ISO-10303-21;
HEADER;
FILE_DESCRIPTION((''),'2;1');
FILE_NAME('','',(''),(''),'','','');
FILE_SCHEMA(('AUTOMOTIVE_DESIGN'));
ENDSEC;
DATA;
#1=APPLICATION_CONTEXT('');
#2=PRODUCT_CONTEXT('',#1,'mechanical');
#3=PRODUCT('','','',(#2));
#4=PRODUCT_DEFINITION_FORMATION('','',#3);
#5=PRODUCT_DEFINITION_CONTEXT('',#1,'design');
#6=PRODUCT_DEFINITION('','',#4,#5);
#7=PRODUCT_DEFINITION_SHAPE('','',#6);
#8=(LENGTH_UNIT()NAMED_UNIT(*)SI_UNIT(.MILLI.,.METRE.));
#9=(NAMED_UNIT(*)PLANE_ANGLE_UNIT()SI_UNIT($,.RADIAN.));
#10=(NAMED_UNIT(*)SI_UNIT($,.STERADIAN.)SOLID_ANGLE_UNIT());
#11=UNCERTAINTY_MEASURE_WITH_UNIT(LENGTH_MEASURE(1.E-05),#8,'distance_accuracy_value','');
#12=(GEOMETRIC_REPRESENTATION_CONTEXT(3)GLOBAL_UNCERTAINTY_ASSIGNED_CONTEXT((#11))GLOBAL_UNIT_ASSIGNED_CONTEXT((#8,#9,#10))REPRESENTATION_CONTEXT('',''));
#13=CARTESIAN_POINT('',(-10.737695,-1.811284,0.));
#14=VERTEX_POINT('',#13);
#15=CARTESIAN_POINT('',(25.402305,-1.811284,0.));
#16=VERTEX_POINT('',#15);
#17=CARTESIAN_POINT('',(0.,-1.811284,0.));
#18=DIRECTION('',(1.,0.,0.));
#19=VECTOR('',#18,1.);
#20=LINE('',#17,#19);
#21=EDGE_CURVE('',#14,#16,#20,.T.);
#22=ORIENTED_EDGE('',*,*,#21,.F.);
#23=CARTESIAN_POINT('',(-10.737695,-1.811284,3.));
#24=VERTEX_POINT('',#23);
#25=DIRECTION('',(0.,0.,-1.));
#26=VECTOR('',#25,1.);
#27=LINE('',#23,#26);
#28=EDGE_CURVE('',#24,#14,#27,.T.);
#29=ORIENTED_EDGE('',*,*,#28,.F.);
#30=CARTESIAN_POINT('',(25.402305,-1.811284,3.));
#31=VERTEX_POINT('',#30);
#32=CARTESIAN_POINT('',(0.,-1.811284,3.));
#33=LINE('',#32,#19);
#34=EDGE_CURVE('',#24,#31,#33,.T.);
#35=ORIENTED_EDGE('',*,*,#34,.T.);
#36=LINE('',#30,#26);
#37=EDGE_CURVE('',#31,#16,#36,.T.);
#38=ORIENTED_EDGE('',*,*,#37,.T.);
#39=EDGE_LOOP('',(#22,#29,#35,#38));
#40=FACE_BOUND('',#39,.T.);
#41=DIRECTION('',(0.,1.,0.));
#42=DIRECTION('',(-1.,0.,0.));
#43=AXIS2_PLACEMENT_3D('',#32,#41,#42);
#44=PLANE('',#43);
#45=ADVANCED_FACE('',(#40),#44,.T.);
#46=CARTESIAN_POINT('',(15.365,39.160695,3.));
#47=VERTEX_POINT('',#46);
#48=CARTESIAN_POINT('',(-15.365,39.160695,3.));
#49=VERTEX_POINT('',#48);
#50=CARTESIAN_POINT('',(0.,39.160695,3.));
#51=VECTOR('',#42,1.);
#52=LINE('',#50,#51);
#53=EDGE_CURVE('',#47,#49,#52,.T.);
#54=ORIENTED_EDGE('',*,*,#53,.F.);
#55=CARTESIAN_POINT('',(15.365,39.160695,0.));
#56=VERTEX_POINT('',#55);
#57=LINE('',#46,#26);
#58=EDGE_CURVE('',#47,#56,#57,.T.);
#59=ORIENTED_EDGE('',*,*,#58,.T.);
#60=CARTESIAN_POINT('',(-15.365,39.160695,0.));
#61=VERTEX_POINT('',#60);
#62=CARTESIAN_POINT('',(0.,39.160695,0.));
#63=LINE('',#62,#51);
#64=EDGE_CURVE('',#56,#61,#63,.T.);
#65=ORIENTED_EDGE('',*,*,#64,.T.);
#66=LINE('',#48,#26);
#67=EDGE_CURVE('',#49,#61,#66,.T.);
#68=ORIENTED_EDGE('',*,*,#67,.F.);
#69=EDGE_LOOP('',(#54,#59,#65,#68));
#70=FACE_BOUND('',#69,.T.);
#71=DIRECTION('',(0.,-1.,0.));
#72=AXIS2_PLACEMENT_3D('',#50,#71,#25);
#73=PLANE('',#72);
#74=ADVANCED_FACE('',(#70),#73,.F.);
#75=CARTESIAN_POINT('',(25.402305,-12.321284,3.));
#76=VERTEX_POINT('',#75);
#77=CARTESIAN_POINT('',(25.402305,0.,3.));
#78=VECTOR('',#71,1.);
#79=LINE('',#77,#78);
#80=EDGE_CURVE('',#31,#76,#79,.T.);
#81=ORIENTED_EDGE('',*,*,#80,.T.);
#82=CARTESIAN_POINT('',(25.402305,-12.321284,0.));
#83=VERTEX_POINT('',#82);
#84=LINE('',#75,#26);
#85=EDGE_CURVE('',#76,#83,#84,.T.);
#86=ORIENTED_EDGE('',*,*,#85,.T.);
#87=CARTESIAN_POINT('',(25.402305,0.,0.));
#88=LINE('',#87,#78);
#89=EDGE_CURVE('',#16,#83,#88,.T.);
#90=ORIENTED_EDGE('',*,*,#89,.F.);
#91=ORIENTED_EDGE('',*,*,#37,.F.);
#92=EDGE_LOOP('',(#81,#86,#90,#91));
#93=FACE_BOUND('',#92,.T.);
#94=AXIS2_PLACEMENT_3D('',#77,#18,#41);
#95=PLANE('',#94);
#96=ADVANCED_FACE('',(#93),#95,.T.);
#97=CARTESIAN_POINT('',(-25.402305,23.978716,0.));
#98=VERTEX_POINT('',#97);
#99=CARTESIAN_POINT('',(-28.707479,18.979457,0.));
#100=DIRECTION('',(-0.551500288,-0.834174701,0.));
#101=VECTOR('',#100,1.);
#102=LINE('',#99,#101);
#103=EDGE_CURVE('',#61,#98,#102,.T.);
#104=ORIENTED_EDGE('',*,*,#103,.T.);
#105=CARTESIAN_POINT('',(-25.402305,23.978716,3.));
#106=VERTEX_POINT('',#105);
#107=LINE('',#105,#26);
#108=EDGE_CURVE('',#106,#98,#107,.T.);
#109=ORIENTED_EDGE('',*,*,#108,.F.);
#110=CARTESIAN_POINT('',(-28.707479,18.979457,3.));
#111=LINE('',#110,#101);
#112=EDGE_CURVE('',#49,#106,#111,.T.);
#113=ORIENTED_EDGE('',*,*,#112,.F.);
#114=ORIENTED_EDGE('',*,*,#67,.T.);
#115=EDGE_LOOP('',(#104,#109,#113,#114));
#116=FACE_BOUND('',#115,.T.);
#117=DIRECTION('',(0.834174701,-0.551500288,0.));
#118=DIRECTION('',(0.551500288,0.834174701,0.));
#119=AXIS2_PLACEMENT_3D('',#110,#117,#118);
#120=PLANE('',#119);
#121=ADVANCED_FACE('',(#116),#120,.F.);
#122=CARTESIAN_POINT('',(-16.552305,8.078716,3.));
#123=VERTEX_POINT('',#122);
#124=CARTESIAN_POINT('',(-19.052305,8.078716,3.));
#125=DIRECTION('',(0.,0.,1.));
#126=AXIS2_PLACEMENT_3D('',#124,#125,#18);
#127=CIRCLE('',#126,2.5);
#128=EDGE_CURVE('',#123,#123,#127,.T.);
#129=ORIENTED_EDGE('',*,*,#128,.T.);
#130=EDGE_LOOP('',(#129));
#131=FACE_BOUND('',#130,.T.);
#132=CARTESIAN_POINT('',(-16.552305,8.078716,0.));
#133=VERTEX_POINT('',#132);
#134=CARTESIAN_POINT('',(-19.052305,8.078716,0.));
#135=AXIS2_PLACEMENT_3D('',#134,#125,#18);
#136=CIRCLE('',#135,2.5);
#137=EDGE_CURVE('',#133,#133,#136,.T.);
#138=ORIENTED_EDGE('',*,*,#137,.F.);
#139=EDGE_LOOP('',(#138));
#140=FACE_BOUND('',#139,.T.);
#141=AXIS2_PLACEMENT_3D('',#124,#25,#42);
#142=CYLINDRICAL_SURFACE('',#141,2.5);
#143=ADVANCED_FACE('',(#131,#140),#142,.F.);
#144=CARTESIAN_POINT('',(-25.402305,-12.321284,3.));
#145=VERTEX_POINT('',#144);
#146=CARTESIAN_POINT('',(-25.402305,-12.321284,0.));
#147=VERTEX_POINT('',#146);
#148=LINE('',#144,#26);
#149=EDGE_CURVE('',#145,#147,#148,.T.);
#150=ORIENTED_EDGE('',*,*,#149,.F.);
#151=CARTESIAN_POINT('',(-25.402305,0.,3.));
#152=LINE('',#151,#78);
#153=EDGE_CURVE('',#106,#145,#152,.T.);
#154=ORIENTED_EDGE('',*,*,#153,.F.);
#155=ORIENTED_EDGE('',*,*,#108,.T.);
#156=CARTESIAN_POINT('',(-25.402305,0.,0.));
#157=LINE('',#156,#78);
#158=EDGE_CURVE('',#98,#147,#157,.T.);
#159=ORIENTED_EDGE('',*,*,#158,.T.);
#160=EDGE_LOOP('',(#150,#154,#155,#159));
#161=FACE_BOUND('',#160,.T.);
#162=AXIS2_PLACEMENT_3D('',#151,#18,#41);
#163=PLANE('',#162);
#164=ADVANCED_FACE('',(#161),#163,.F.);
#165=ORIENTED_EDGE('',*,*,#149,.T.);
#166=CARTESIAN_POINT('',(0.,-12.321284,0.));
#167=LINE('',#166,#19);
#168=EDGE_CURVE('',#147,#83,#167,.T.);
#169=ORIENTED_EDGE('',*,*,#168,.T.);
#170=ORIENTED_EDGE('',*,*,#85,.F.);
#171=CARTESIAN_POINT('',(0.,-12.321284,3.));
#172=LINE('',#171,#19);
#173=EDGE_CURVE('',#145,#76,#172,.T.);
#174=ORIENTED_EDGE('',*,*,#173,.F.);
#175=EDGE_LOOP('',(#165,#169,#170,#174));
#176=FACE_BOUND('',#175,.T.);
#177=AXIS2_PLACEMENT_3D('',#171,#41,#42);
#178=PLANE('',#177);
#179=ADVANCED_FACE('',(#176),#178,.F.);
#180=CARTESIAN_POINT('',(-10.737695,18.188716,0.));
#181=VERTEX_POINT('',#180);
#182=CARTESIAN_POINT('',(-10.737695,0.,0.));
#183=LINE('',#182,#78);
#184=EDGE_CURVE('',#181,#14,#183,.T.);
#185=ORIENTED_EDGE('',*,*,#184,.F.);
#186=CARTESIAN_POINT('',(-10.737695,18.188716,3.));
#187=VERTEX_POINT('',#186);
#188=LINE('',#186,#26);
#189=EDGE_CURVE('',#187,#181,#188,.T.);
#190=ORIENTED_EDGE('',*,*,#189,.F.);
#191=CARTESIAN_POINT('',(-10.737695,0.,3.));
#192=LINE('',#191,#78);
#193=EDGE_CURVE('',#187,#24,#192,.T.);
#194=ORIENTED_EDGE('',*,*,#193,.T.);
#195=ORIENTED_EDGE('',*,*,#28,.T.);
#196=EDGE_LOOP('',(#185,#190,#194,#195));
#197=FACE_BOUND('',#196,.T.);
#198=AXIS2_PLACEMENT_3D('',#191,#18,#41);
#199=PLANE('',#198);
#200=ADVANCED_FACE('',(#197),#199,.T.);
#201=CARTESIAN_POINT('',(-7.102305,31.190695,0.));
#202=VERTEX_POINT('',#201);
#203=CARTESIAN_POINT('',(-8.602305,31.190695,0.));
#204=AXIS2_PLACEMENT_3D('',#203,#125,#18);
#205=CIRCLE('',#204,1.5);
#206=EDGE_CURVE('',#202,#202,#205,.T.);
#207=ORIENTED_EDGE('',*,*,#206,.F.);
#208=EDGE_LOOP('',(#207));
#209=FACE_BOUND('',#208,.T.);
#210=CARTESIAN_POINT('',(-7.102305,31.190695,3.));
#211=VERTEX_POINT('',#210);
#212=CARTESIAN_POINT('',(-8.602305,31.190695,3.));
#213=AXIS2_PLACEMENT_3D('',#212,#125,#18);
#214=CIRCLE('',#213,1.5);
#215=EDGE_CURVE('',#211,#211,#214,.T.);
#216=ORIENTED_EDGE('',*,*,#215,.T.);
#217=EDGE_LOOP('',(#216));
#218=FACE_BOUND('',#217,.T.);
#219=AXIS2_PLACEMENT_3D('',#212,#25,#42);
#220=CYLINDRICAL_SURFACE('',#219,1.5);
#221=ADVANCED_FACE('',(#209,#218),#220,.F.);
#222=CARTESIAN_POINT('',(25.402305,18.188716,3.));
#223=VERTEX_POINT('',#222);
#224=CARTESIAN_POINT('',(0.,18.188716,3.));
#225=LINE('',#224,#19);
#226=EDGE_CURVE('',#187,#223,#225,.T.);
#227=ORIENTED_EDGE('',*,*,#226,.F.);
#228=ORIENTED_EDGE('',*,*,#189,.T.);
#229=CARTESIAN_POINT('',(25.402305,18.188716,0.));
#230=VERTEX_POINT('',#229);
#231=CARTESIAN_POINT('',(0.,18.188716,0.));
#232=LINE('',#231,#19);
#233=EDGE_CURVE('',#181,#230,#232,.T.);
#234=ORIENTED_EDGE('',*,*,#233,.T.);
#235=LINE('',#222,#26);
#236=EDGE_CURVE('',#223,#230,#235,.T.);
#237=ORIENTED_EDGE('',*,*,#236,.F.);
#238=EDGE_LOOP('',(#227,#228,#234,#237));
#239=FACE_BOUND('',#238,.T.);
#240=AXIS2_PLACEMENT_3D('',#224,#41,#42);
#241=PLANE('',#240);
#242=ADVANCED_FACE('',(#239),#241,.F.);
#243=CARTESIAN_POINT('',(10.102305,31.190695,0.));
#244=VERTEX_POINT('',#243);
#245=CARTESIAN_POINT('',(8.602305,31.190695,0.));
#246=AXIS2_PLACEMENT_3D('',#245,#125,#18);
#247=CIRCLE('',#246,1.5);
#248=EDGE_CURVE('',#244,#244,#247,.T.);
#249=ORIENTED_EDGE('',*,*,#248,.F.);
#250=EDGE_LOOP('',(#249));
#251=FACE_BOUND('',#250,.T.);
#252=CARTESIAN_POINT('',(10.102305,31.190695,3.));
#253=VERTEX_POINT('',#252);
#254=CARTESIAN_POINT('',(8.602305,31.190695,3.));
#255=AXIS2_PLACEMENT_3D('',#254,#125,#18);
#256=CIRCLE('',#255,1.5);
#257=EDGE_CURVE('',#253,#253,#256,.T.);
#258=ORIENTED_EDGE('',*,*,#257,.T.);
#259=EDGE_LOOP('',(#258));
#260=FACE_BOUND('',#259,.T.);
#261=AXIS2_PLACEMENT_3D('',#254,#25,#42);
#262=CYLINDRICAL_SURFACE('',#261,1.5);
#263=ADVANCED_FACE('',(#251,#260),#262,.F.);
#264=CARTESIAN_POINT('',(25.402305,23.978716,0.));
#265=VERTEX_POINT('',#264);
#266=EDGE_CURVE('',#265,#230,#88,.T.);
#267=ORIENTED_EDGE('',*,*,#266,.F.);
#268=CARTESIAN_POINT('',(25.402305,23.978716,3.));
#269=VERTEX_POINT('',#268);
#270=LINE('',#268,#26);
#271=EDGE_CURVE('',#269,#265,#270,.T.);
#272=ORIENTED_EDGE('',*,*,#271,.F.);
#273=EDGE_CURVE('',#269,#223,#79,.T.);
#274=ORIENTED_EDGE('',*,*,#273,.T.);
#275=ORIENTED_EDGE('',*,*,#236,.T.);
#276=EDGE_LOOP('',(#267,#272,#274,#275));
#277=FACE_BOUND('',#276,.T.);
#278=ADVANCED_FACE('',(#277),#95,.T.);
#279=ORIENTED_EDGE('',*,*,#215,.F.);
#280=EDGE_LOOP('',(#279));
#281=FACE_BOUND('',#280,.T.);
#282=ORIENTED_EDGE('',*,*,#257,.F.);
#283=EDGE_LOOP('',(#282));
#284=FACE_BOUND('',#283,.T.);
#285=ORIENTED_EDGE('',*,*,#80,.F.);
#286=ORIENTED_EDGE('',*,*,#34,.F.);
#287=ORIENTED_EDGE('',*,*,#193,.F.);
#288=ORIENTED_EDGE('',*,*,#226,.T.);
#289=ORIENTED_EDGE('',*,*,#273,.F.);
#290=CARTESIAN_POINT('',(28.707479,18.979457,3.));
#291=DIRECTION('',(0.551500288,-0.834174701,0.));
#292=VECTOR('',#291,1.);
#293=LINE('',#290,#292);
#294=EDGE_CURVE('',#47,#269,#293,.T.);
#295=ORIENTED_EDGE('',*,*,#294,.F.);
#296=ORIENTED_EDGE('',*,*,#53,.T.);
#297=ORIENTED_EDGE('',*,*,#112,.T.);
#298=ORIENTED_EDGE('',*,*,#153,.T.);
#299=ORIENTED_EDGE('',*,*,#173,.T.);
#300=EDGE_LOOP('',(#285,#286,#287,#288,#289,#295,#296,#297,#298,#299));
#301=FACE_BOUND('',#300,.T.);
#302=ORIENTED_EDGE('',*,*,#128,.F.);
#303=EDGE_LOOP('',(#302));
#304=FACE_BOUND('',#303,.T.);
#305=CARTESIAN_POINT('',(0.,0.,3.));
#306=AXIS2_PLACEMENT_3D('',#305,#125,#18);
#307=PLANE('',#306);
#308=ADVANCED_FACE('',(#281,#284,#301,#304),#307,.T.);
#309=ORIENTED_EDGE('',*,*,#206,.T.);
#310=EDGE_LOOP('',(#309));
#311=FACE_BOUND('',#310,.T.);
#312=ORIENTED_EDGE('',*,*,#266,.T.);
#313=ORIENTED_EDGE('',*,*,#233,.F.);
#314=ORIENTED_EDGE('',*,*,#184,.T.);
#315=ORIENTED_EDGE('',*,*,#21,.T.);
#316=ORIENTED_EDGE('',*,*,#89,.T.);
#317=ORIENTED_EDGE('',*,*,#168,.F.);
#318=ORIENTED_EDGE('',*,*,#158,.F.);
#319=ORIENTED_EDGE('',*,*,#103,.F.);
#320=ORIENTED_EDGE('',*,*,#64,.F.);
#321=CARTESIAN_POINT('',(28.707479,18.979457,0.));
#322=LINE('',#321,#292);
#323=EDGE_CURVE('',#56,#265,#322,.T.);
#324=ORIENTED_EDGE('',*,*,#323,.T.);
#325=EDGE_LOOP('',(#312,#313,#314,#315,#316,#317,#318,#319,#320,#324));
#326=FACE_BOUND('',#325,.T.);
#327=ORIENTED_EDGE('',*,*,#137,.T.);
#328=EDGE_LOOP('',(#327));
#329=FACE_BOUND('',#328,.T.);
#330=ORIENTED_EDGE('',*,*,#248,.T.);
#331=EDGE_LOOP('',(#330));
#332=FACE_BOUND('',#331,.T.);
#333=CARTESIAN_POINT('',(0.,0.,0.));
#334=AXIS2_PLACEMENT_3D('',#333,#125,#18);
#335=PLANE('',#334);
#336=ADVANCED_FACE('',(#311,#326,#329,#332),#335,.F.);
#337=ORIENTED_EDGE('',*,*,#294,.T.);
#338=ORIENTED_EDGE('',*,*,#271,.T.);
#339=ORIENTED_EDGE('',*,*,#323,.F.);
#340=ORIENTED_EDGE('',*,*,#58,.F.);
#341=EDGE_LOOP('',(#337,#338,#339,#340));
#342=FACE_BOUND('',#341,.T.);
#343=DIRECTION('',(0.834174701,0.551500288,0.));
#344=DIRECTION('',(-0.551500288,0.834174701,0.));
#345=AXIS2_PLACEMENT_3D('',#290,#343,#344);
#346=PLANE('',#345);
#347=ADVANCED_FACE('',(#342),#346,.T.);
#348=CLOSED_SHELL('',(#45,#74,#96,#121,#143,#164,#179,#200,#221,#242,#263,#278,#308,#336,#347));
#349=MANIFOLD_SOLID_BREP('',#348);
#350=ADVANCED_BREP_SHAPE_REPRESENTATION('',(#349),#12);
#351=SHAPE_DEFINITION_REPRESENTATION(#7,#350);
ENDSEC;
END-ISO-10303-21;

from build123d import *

# Parameters (mm, degrees)
SKETCH1_R           = 2.5
SKETCH1_R_2         = 1.5
SKETCH1_W           = 25.402305243
SKETCH1_H           = 10.51
BOSS_EXTRUDE1_DEPTH = 3


with BuildPart() as part:
    # Sketch1 → Boss-Extrude1 (new body)
    # profile 1 of 3: a face of its own
    with BuildSketch(Plane.XY):
        Polygon((-25.402305243, -12.3212841), (0, -12.3212841), (0, -1.8112841), (-10.737694757, -1.8112841), (-10.737694757, 18.1887159), (0, 18.1887159), (0, 39.160695464), (-15.365, 39.160695464), (-25.402305243, 23.9787159), align=None)
        with Locations((-19.052305243, 8.0787159)):
            Circle(SKETCH1_R, mode=Mode.SUBTRACT)
        with Locations((-8.602305243, 31.190695464)):
            Circle(SKETCH1_R_2, mode=Mode.SUBTRACT)
    # profile 2 of 3: a face of its own
    with BuildSketch(Plane.XY):
        Polygon((0, 39.160695464), (0, 18.1887159), (25.402305243, 18.1887159), (25.402305243, 23.9787159), (15.365, 39.160695464), align=None)
        with Locations((8.602305243, 31.190695464)):
            Circle(SKETCH1_R_2, mode=Mode.SUBTRACT)
    # profile 3 of 3: a face of its own
    with BuildSketch(Plane.XY):
        with Locations((12.701152622, -7.0662841)):
            Rectangle(SKETCH1_W, SKETCH1_H)
    extrude(amount=BOSS_EXTRUDE1_DEPTH)


solid = part.part
